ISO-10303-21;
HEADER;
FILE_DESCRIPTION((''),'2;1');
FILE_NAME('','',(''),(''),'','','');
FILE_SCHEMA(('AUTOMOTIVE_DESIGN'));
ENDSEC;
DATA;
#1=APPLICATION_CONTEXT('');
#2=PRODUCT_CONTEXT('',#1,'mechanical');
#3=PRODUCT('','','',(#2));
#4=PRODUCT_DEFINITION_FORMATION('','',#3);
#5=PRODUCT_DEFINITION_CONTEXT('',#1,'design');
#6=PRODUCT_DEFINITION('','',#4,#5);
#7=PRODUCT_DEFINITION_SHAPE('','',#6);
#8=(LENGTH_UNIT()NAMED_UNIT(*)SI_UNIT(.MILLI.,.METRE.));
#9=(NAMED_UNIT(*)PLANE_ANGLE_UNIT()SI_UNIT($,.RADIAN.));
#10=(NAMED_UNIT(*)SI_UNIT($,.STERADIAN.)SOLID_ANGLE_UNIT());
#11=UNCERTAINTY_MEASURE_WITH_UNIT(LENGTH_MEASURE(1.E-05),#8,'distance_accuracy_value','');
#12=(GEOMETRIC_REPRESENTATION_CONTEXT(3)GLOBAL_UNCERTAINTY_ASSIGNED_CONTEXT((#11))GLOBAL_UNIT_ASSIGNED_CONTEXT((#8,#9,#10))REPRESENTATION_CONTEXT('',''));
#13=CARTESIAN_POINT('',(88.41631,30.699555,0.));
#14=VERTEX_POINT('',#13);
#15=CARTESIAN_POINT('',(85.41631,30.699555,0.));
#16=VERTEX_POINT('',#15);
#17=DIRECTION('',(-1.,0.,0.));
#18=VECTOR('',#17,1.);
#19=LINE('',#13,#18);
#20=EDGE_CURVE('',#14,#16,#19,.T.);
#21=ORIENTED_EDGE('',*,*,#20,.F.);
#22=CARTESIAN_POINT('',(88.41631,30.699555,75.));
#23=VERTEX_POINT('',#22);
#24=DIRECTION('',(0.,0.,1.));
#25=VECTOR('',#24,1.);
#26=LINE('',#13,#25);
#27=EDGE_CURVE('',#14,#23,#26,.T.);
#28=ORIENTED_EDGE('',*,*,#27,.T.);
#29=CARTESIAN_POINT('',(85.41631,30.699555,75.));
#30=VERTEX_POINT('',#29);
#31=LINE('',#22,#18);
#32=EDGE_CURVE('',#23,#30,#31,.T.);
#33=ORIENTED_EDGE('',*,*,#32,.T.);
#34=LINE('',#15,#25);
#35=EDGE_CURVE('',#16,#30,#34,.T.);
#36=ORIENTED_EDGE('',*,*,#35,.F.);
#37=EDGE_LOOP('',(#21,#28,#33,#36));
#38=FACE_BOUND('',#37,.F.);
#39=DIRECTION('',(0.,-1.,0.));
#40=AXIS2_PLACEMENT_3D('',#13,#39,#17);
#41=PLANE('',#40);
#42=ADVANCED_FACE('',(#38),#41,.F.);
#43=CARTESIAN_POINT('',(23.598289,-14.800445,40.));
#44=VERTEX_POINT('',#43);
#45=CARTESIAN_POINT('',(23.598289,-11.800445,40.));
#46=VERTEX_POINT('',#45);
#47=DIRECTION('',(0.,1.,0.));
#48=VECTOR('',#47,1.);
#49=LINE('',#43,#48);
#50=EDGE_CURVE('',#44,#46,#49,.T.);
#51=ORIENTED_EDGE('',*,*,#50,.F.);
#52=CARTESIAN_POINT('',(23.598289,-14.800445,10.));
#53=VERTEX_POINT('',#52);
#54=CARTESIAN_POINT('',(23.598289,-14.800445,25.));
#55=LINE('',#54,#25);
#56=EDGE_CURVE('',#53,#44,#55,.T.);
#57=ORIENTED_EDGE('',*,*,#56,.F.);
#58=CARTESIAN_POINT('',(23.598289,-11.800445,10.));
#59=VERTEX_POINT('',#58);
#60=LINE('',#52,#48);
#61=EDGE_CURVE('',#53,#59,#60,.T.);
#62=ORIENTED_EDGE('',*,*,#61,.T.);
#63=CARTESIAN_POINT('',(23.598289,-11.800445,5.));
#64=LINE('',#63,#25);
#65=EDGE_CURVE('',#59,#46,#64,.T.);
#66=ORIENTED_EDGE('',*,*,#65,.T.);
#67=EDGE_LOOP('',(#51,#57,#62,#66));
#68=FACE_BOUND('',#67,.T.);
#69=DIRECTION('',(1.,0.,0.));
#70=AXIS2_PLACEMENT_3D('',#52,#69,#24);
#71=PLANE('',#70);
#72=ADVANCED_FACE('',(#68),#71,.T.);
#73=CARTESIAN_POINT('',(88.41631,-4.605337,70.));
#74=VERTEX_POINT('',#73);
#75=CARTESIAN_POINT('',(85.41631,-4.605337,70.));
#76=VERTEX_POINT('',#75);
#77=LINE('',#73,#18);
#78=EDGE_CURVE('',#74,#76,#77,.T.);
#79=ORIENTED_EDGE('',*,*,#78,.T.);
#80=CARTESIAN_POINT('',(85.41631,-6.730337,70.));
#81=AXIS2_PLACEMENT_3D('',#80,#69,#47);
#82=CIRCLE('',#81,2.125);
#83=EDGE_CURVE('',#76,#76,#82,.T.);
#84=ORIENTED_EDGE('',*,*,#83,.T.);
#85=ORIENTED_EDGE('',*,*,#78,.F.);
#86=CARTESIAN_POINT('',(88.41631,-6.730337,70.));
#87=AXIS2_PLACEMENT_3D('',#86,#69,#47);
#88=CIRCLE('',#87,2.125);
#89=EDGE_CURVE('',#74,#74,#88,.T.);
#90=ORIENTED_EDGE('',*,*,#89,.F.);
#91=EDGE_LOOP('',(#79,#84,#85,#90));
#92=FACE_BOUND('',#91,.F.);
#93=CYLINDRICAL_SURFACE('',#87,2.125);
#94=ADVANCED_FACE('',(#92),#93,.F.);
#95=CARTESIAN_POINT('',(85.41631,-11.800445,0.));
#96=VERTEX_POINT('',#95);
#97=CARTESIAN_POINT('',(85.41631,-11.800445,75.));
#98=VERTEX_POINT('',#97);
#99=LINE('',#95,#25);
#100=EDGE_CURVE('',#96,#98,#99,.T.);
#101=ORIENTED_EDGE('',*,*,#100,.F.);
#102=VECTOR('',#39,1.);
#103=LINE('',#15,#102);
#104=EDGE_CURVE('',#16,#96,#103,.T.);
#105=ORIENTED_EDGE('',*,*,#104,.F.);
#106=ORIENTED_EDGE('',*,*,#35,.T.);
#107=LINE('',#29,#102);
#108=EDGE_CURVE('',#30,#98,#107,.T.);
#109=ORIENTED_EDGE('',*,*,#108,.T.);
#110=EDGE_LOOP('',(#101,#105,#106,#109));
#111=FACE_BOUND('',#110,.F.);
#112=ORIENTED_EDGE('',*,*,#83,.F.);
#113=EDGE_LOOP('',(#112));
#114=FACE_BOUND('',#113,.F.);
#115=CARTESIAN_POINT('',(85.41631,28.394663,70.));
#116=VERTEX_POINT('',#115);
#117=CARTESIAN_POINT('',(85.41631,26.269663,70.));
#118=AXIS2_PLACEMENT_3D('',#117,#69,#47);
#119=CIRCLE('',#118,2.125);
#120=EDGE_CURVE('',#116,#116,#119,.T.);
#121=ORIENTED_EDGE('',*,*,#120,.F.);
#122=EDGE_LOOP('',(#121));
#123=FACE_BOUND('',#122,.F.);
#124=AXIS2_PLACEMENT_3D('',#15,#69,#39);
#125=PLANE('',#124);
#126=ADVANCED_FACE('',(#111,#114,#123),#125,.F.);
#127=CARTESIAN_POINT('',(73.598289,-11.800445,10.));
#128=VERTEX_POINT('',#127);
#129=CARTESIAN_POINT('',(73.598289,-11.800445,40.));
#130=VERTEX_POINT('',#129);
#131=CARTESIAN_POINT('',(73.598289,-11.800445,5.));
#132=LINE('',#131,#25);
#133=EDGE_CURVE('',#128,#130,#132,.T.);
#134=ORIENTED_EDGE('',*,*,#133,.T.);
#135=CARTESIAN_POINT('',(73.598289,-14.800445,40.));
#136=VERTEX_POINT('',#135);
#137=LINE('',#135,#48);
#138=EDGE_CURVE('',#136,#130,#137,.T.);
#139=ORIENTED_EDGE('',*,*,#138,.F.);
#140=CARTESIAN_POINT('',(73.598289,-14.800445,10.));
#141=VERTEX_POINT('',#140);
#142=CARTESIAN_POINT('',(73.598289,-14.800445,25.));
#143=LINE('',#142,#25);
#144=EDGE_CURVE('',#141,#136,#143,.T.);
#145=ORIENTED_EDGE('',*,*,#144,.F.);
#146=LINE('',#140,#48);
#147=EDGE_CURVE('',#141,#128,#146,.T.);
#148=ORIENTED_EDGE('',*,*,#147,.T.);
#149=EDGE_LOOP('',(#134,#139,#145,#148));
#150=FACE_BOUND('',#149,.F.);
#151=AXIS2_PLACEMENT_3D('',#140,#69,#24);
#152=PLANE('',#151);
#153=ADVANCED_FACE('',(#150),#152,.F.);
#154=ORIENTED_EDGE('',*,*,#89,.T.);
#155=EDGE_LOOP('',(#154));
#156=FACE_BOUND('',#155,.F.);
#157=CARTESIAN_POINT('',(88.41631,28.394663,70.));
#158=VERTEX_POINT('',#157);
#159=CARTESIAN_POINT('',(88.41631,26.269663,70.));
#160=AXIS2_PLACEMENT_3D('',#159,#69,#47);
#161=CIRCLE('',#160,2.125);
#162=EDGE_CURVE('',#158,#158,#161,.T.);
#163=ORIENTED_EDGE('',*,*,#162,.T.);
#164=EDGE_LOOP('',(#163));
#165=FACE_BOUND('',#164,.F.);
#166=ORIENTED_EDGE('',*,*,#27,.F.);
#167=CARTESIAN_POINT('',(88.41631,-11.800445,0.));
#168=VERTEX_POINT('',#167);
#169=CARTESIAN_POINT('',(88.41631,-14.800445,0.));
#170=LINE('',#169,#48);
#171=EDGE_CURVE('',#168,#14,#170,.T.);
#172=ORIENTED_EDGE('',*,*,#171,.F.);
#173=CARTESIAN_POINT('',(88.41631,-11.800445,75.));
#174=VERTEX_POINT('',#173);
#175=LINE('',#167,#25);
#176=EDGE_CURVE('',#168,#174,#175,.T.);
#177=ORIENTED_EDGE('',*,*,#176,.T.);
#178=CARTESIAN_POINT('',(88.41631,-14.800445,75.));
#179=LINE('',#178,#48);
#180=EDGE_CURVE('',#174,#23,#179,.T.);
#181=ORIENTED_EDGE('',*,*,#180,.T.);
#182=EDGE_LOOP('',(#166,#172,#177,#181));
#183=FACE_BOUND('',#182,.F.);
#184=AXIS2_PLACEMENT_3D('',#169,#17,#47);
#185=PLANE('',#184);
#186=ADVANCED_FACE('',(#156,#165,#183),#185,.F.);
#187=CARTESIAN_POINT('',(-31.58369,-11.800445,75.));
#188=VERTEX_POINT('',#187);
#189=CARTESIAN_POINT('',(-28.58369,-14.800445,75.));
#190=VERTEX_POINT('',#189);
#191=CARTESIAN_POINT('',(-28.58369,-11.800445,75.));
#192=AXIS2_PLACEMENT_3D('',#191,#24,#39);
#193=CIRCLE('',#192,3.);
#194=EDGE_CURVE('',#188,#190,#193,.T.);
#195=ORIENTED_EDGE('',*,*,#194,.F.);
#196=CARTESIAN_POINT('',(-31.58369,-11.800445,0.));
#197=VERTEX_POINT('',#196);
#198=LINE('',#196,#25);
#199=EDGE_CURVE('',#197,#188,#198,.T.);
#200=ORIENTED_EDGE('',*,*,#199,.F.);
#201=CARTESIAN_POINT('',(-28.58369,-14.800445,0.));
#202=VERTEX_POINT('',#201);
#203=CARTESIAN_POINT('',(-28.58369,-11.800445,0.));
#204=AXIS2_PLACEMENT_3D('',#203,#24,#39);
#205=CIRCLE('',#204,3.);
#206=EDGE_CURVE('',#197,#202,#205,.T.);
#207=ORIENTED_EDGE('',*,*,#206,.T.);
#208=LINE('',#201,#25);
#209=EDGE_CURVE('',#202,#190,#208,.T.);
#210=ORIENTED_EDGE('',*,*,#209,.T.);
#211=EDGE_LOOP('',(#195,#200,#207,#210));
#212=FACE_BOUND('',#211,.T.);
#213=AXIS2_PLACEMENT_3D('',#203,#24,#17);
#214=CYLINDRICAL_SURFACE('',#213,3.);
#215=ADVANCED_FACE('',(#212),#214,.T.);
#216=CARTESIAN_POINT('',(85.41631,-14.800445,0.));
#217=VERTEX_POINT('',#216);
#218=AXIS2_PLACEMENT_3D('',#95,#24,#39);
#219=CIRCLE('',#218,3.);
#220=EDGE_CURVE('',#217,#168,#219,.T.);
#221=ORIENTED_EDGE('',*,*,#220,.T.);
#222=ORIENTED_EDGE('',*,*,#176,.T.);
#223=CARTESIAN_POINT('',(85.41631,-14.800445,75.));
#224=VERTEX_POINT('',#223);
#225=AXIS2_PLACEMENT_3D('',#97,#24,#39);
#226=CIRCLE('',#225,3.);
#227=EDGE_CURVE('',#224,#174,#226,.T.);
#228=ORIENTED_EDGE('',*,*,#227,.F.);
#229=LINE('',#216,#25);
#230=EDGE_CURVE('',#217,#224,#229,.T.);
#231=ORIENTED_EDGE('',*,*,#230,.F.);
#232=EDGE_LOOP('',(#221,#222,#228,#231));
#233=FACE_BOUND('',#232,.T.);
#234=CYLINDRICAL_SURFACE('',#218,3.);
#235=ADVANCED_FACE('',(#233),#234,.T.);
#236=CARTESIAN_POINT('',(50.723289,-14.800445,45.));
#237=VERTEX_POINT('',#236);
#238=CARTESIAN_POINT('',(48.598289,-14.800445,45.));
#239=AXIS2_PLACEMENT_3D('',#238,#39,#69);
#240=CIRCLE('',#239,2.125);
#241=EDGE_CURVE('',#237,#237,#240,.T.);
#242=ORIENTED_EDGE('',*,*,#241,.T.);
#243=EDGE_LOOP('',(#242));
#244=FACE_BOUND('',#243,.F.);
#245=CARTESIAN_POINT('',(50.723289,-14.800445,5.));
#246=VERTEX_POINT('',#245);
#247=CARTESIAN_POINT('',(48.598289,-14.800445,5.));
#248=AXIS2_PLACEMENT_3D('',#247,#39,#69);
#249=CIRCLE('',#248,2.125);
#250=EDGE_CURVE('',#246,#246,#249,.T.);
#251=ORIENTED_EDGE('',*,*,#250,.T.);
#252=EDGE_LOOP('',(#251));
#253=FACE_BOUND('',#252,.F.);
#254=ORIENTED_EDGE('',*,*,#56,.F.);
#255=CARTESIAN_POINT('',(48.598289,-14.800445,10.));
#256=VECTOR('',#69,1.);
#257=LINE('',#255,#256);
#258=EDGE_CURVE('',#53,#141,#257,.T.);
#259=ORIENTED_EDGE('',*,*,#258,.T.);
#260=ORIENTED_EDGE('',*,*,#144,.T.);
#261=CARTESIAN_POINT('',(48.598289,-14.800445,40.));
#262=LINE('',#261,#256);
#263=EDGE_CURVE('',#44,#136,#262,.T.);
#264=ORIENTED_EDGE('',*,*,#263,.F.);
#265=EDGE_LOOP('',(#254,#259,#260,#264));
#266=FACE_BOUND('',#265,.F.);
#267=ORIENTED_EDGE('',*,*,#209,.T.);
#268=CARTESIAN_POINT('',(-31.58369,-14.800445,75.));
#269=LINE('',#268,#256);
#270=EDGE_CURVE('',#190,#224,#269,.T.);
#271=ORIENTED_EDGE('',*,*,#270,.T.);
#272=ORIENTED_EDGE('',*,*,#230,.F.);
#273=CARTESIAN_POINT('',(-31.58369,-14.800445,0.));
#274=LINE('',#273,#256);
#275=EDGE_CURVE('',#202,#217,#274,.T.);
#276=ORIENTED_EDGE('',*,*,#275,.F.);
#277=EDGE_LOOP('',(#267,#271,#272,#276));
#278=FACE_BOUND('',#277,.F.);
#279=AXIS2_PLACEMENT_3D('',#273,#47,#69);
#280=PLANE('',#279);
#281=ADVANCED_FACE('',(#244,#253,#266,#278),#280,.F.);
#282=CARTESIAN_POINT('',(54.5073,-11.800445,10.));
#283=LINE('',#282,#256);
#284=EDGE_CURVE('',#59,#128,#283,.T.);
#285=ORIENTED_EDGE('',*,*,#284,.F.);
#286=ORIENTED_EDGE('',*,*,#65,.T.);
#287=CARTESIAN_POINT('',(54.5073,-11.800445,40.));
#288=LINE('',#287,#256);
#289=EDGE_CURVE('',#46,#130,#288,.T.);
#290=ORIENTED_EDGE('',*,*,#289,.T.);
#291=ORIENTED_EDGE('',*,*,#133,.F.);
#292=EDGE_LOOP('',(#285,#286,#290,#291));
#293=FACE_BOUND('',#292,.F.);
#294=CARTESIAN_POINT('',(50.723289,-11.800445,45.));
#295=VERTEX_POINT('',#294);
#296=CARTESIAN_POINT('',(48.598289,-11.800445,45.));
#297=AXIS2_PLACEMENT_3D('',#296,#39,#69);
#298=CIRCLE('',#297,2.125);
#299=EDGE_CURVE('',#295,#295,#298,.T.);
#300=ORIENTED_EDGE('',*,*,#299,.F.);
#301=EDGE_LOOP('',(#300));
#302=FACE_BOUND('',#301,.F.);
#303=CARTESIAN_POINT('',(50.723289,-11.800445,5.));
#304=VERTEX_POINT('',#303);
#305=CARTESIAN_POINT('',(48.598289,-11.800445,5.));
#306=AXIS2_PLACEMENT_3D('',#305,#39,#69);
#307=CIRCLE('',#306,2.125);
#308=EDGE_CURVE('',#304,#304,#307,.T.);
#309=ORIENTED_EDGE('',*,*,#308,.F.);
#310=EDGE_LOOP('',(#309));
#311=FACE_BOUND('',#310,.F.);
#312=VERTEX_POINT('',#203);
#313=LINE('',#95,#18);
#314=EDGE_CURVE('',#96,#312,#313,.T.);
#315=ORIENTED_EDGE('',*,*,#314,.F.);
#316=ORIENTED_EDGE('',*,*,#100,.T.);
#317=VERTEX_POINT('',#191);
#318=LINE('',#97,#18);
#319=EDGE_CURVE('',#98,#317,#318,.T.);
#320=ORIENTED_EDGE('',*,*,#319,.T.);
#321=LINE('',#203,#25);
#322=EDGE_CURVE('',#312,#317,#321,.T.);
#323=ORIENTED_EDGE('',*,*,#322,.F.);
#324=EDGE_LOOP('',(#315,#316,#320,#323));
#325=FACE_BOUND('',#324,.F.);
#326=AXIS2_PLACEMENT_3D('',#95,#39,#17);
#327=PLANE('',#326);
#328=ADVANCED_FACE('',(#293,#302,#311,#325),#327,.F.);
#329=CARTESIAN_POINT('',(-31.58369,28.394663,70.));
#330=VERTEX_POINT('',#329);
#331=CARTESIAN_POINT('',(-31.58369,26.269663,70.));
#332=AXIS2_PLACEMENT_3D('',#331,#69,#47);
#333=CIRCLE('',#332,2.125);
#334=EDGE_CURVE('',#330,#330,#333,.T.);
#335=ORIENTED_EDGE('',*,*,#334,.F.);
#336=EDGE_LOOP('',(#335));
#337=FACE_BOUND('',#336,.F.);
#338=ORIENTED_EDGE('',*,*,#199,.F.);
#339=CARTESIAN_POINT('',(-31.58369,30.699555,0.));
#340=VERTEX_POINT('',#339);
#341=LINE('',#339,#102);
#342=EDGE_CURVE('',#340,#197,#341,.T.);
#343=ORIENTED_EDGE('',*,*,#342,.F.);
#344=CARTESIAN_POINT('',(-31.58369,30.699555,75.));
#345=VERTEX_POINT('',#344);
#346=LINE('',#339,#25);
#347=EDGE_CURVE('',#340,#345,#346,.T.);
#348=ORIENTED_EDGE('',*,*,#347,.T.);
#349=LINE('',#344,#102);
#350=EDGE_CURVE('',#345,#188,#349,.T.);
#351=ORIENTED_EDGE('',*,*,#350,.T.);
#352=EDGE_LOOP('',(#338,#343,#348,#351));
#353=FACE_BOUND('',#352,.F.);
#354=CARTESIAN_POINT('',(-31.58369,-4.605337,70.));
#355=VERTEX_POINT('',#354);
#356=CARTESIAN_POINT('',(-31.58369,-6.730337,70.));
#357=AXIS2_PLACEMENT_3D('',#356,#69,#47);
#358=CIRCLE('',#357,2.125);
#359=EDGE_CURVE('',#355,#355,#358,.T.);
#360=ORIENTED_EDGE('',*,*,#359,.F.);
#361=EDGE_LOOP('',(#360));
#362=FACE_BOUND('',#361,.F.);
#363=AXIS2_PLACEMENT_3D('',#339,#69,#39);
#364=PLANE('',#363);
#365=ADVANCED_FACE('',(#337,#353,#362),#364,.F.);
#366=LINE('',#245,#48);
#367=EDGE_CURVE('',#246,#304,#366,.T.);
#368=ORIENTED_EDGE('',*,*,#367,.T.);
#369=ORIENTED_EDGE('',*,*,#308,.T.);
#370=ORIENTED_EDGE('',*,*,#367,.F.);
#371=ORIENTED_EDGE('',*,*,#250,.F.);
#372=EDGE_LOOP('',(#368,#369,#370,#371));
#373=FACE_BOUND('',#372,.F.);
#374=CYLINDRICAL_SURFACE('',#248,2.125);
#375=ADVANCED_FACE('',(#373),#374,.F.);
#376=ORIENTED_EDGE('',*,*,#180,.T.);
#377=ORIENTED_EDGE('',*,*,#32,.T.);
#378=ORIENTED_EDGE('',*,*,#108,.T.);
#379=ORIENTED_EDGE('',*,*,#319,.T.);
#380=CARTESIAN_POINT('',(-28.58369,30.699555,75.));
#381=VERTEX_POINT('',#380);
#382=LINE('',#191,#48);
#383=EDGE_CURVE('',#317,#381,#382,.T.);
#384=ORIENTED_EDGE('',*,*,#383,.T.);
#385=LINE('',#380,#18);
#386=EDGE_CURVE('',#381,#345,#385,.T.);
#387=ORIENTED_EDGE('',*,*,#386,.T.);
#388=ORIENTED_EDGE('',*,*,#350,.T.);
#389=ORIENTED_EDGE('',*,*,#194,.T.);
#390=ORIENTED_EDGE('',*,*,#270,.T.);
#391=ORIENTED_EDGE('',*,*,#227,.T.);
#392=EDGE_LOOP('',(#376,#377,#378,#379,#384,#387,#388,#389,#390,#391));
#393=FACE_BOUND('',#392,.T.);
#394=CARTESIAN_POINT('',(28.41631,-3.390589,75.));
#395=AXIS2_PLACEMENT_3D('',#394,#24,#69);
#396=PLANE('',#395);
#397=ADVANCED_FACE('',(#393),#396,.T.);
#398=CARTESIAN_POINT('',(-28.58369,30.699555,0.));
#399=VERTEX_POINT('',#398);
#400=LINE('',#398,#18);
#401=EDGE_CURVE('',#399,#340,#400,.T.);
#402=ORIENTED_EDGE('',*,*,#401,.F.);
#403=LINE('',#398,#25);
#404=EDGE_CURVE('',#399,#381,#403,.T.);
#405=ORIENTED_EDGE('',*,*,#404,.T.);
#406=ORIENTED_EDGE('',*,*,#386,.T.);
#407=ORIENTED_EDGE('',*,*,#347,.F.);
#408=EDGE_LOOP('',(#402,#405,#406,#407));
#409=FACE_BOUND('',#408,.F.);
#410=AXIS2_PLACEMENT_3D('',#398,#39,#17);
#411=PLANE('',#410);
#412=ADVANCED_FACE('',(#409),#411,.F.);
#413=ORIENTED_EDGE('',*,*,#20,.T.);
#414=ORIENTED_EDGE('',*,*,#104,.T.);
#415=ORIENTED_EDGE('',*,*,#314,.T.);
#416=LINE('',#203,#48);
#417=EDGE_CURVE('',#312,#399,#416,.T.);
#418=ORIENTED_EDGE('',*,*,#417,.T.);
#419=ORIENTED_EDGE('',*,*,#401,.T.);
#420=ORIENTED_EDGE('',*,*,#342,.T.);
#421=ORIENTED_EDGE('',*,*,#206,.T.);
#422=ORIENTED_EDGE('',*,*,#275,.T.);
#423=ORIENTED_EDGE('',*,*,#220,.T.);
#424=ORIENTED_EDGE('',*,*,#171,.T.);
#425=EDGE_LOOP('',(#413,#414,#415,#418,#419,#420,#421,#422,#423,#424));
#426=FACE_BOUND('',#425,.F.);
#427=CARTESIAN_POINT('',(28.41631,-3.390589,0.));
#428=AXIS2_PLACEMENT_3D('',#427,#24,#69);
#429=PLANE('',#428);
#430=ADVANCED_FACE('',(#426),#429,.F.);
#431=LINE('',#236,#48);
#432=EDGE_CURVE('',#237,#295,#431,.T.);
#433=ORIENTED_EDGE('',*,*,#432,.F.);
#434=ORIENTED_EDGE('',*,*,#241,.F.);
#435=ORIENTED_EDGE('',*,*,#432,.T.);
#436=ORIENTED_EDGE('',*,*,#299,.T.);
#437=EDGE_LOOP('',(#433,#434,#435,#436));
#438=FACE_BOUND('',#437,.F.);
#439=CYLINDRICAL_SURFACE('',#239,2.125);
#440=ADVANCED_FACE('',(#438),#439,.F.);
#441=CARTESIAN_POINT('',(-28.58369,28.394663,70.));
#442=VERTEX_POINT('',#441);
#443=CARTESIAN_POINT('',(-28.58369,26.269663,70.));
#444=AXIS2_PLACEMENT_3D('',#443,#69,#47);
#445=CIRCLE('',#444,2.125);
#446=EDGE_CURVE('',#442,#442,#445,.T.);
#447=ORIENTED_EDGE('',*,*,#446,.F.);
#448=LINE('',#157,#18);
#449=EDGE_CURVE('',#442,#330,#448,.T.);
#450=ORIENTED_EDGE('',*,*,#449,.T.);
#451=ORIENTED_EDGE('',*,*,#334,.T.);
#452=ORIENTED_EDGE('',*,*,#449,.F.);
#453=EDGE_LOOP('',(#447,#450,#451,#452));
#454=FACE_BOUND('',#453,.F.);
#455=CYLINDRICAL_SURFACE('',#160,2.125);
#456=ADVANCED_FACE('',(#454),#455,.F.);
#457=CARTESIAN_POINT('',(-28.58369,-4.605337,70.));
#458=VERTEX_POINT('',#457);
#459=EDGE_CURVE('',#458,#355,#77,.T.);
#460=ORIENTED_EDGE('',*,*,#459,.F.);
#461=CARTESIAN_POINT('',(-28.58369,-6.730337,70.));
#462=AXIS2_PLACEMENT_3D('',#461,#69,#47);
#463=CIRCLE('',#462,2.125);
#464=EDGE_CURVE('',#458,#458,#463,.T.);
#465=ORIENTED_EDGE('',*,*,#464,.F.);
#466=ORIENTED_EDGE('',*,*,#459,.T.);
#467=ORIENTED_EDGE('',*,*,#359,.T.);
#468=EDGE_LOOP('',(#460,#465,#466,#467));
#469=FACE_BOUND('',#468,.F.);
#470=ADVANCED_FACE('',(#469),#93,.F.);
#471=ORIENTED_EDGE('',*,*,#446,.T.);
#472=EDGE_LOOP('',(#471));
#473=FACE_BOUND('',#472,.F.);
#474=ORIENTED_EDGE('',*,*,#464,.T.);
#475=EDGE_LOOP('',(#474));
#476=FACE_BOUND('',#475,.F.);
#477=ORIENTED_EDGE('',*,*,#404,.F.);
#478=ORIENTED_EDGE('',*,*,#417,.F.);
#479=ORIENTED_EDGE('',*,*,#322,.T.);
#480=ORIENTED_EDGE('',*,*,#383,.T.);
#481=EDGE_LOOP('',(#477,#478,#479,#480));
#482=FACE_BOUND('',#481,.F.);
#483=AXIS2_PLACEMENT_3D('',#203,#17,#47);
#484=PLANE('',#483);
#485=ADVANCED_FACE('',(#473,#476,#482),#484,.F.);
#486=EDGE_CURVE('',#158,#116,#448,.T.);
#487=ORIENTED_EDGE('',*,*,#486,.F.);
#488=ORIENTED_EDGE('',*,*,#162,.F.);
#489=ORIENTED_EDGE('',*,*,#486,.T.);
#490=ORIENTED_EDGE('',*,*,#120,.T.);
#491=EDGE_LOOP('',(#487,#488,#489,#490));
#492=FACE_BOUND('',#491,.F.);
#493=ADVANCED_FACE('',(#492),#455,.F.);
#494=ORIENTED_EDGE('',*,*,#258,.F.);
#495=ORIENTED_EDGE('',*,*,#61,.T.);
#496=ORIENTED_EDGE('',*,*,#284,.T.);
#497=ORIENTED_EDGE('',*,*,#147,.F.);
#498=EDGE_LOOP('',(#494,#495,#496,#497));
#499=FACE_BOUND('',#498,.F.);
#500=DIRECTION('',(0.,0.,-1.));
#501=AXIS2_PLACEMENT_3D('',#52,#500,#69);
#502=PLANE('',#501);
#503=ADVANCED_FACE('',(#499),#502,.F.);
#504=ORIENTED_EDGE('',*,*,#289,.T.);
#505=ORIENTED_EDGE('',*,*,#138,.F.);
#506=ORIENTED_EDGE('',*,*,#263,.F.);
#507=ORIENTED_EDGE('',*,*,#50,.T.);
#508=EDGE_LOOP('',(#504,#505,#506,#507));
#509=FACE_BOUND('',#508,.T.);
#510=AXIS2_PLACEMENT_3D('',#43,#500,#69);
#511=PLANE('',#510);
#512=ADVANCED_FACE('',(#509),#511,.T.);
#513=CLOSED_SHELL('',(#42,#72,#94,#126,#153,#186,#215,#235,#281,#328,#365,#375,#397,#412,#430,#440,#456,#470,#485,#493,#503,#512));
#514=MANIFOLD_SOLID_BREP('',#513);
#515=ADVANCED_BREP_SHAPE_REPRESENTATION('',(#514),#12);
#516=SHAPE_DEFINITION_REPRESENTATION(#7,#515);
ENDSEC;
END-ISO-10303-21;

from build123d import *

# Parameters (mm, degrees)
F1_DEPTH = 75
F2_R     = 2.125
F2_W     = 50
F2_H     = 30
F3_DEPTH = 5
F5_R     = 2.125
F6_DEPTH = 130
F7_R     = 3


with BuildPart() as f1:
    # F0 (on Top) → F1 (new body)
    with BuildSketch(Plane.XY):
        Polygon((-28.58369, -11.800445), (-28.58369, 30.699555), (-30.356892, 30.699555), (-31.58369, 30.699555), (-31.58369, -14.800445), (-27.58369, -14.800445), (84.41631, -14.800445), (88.41631, -14.800445), (88.41631, 30.699555), (87.189512, 30.699555), (85.41631, 30.699555), (85.41631, -11.800445), align=None)
    extrude(amount=F1_DEPTH)

    # F2 (on face) → F3 (cut)
    with BuildSketch(Plane.XZ.offset(14.800445)):
        with Locations((48.598289, 45)):
            Circle(F2_R)
        with Locations((48.598289, 5)):
            Circle(F2_R)
        with Locations((48.598289, 25)):
            Rectangle(F2_W, F2_H)
    extrude(amount=-F3_DEPTH, mode=Mode.SUBTRACT)

    # F5 (on face) → F6 (cut)
    with BuildSketch(Plane.YZ.offset(88.41631)):
        with Locations((-6.730337, 70)):
            Circle(F5_R)
        with Locations((26.269663, 70)):
            Circle(F5_R)
    extrude(amount=-F6_DEPTH, mode=Mode.SUBTRACT)

    # F7
    f7_edges = [f1.edges().sort_by_distance(p)[0] for p in [
        (88.41631, -14.800445, 37.5),
        (-31.58369, -14.800445, 37.5),
    ]]
    fillet(f7_edges, radius=F7_R)


solid = f1.part
